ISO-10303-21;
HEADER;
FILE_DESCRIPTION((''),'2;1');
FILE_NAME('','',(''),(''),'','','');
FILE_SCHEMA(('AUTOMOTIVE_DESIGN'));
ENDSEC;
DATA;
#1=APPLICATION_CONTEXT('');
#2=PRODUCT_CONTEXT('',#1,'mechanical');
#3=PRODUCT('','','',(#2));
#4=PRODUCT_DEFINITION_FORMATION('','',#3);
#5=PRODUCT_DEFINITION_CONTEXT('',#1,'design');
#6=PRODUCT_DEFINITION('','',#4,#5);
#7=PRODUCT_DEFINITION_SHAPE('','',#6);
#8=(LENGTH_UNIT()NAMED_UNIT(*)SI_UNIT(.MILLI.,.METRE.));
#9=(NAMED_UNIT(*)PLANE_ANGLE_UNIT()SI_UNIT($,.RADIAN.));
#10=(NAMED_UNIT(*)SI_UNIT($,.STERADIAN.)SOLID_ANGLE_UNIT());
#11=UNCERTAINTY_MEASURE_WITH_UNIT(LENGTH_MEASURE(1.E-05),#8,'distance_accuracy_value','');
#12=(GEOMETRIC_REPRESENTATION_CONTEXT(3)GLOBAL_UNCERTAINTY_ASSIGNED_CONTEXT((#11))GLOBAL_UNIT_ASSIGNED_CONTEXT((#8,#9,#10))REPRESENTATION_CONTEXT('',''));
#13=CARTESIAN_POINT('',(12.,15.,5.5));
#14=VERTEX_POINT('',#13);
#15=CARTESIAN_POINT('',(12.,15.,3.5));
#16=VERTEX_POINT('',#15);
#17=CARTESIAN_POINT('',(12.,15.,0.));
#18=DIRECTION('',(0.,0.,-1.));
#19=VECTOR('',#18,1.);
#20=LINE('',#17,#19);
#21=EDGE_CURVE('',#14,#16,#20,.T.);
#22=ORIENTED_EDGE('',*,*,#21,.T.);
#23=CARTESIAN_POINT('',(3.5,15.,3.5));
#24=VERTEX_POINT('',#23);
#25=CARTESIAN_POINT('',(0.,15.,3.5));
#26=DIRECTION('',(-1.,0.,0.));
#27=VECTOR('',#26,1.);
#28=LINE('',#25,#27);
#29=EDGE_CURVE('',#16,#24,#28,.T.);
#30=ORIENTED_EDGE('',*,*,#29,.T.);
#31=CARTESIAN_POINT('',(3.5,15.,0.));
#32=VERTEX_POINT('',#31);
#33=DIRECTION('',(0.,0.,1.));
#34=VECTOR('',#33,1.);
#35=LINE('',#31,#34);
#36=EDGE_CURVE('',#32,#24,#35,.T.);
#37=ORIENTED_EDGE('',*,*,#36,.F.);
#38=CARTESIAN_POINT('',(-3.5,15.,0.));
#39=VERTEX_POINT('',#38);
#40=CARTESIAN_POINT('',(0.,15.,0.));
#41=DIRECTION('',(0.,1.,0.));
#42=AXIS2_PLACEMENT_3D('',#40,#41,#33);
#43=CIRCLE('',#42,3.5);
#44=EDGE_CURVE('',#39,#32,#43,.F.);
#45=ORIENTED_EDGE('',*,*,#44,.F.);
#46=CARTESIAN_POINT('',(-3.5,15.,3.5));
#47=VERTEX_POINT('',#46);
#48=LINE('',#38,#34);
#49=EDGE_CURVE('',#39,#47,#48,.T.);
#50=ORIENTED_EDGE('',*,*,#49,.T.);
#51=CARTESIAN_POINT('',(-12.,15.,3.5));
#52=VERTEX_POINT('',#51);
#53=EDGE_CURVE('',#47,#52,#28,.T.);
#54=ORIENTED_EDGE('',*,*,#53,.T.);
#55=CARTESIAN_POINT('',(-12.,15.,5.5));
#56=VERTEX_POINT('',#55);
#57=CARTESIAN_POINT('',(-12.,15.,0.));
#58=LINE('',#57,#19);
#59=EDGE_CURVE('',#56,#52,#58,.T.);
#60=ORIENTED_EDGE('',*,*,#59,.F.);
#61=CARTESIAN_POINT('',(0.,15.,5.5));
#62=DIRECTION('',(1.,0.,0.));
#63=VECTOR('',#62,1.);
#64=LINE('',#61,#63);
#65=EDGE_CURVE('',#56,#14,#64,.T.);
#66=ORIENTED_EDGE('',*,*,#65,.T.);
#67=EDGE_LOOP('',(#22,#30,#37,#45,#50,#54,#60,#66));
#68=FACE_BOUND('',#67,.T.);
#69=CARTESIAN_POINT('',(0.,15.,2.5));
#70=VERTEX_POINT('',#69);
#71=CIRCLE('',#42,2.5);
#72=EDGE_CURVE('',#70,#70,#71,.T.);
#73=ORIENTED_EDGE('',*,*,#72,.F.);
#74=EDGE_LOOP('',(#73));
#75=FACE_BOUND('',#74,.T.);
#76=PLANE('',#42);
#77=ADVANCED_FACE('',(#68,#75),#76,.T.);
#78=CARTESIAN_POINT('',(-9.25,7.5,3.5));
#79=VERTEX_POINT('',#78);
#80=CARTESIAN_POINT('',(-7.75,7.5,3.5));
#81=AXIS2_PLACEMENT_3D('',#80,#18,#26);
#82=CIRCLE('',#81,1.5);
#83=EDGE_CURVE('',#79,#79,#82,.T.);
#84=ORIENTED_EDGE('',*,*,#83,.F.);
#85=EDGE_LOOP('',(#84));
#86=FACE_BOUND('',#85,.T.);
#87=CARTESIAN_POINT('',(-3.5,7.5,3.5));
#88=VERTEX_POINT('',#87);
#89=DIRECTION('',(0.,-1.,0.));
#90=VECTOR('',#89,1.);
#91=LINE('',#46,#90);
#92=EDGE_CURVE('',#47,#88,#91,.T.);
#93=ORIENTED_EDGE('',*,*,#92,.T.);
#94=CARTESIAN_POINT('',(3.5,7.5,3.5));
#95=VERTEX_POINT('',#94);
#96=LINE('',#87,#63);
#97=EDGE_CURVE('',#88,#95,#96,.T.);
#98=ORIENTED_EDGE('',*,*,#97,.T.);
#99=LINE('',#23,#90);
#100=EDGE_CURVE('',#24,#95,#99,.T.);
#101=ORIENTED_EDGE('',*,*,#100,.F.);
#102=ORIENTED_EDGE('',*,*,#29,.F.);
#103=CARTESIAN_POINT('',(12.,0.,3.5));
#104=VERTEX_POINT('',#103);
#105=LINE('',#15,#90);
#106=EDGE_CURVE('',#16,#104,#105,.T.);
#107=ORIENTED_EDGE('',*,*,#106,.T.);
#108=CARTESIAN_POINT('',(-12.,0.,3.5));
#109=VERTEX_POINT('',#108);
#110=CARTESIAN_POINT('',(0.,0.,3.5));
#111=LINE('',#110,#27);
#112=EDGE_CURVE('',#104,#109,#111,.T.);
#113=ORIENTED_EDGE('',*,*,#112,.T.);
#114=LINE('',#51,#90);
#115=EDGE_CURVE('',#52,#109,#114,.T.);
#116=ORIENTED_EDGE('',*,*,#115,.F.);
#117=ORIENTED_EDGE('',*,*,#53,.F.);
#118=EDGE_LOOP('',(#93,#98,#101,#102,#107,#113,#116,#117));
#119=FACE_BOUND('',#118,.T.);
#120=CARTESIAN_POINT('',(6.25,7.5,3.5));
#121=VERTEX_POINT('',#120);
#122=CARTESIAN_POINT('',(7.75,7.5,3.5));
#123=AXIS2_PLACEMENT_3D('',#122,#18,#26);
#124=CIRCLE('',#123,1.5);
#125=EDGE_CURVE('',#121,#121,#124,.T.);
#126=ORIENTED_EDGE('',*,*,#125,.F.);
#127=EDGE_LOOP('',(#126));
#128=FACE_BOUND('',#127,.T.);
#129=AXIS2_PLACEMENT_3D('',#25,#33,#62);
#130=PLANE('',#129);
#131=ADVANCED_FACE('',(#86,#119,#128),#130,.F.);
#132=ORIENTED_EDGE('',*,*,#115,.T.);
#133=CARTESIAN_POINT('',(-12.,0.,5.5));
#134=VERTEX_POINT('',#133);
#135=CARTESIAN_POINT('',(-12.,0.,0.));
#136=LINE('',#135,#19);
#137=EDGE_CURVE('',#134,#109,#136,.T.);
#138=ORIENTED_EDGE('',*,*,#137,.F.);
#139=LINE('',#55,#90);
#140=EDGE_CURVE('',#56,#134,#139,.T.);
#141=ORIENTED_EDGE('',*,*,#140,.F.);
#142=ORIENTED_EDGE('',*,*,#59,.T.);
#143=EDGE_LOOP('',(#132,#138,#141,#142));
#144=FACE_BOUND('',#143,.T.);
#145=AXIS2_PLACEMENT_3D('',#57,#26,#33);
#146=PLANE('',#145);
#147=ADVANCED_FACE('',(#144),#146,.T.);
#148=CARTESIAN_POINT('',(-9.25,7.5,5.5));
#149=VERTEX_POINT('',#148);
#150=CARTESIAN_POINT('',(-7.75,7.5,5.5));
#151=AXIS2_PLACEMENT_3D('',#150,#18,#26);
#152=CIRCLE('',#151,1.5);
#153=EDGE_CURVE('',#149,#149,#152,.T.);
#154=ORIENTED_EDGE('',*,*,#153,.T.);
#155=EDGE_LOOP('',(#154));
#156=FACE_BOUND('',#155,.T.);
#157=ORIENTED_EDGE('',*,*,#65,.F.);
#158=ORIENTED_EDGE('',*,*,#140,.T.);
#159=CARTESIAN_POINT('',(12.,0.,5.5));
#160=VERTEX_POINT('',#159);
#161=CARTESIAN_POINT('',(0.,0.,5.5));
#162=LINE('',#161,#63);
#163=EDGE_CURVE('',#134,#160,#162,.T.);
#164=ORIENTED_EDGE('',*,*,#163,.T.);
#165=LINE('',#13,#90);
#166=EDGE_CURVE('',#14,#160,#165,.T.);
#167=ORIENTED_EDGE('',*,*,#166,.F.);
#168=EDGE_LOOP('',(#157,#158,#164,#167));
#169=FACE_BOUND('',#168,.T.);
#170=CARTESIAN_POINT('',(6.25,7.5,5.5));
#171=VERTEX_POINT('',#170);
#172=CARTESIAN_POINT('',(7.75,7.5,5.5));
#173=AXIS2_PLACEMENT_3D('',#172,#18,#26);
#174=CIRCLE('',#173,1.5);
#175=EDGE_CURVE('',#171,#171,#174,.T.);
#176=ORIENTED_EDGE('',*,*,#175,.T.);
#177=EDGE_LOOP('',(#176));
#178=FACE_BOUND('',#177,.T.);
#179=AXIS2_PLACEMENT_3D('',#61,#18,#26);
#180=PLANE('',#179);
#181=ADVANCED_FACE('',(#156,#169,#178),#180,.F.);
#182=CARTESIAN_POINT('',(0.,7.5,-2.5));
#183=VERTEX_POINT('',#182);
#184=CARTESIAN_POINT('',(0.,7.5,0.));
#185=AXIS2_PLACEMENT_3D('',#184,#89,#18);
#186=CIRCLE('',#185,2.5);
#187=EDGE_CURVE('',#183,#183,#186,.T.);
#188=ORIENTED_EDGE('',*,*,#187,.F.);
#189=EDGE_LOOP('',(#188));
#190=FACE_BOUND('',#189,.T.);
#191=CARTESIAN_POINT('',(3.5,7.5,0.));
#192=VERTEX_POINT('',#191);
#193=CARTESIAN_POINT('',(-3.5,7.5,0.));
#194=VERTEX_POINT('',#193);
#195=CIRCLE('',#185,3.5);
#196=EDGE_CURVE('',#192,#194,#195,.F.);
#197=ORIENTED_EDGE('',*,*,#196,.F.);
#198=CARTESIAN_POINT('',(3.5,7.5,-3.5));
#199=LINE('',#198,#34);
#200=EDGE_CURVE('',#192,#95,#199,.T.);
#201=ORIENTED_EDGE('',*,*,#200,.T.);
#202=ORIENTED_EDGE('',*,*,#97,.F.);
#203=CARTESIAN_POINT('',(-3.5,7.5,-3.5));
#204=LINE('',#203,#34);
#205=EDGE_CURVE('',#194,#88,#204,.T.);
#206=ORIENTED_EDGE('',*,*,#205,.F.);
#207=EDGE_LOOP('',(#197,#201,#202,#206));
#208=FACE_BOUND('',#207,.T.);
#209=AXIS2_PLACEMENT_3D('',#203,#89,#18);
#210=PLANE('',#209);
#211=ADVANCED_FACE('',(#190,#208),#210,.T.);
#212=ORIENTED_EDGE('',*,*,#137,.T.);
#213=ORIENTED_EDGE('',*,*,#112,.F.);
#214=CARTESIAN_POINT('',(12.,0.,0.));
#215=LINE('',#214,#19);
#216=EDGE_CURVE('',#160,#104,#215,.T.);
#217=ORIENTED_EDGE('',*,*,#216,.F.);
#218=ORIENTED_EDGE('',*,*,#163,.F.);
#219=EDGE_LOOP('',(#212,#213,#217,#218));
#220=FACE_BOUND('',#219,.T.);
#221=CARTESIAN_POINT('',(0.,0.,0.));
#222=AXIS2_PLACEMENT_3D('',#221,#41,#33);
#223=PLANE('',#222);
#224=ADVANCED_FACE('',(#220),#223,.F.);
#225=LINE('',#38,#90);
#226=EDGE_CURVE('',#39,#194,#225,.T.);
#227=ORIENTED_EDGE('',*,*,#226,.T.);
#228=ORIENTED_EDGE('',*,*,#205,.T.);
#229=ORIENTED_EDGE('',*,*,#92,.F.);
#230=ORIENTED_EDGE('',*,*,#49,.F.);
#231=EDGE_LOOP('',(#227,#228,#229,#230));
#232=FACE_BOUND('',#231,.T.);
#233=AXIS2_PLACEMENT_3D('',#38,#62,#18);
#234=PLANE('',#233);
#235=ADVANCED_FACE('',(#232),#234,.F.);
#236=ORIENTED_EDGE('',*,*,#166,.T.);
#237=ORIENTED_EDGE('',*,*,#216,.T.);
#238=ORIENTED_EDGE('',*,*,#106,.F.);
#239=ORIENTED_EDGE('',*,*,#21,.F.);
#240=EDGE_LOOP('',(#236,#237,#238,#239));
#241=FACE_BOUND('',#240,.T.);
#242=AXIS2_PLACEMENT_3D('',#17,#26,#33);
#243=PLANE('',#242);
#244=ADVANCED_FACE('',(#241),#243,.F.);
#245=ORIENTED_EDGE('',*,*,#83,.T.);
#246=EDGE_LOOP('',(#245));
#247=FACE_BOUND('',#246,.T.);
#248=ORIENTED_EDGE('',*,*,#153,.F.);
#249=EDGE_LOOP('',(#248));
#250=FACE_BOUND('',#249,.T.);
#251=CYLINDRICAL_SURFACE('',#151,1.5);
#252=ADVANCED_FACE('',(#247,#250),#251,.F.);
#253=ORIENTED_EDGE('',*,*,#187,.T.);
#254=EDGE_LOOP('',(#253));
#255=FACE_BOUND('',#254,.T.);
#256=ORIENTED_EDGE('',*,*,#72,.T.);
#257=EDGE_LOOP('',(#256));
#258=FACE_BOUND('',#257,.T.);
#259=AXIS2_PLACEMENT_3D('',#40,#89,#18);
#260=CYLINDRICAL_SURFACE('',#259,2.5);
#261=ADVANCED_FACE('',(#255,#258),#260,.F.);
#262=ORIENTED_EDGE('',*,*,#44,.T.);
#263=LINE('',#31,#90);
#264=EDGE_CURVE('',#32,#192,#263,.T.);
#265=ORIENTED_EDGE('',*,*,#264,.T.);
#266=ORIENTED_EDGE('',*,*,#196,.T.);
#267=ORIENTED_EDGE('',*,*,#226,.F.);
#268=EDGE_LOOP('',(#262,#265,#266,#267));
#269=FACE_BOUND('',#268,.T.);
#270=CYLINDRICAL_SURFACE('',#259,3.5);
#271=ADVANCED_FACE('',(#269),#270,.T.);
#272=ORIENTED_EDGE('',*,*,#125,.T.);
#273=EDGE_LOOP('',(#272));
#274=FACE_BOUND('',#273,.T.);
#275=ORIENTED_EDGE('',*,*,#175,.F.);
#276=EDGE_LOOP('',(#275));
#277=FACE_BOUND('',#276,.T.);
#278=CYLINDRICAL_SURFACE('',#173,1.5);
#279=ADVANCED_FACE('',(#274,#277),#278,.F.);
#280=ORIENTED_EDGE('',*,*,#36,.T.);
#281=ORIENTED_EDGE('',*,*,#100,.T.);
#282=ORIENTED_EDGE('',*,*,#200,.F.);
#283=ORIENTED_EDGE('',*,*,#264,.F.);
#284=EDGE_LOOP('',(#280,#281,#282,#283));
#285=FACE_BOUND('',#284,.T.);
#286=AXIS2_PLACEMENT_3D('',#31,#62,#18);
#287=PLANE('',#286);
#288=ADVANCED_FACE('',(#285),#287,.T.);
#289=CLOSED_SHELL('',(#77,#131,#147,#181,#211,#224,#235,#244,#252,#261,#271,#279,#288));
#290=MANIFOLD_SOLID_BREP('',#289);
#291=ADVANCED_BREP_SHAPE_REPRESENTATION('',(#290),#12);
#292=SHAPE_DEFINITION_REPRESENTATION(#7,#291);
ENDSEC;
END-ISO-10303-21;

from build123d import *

# Parameters (mm, degrees)
BOSS_EXTRUDE1_DEPTH = 15
CUT_EXTRUDE1_DEPTH  = 21.4450483
SKETCH3_W           = 7
SKETCH3_H           = 7.5
CUT_EXTRUDE2_DEPTH  = 21.4450483


with BuildPart() as part:
    # Sketch1 → Boss-Extrude1 (new body)
    with BuildSketch(Plane(origin=(0, 0, 0), x_dir=(1, 0, 0), z_dir=(0, 1, 0))):
        with BuildLine():
            ThreePointArc((0, 2.5), (1.767766953, 1.767766953), (2.5, 0))
            Line((2.5, 0), (3.5, 0))
            ThreePointArc((3.5, 0), (2.474873734, 2.474873734), (0, 3.5))
            Line((0, 3.5), (0, 2.5))
        make_face()
        with BuildLine():
            Line((-3.5, 0), (-2.5, 0))
            ThreePointArc((-2.5, 0), (-1.767766953, 1.767766953), (0, 2.5))
            Line((0, 2.5), (0, 3.5))
            ThreePointArc((0, 3.5), (-2.474873734, 2.474873734), (-3.5, 0))
        make_face()
        with BuildLine():
            Line((0, -5.5), (0, -2.5))
            ThreePointArc((0, -2.5), (-1.767766953, -1.767766953), (-2.5, 0))
            Line((-2.5, 0), (-3.5, 0))
            Line((-3.5, 0), (-3.5, -3.5))
            Line((-3.5, -3.5), (-12, -3.5))
            Line((-12, -3.5), (-12, -5.5))
            Line((-12, -5.5), (0, -5.5))
        make_face()
        with BuildLine():
            ThreePointArc((2.5, 0), (1.767766953, -1.767766953), (0, -2.5))
            Line((0, -2.5), (0, -5.5))
            Line((0, -5.5), (12, -5.5))
            Line((12, -5.5), (12, -3.5))
            Line((12, -3.5), (3.5, -3.5))
            Line((3.5, -3.5), (3.5, 0))
            Line((3.5, 0), (2.5, 0))
        make_face()
    extrude(amount=BOSS_EXTRUDE1_DEPTH)

    # Sketch2 → Cut-Extrude1 (cut, through all)
    with BuildSketch(Plane(origin=(0, 0, 3.5), x_dir=(-1, 0, 0), z_dir=(0, 0, -1))):
        with BuildLine():
            ThreePointArc((-6.25, 7.5), (-6.689339828, 8.560660172), (-7.75, 9))
            Line((-7.75, 9), (-7.75, 6))
            ThreePointArc((-7.75, 6), (-6.689339828, 6.439339828), (-6.25, 7.5))
        make_face()
        with BuildLine():
            Line((-7.75, 6), (-7.75, 9))
            ThreePointArc((-7.75, 9), (-9.25, 7.5), (-7.75, 6))
        make_face()
        with BuildLine():
            ThreePointArc((9.25, 7.5), (8.810660172, 8.560660172), (7.75, 9))
            Line((7.75, 9), (7.75, 6))
            ThreePointArc((7.75, 6), (8.810660172, 6.439339828), (9.25, 7.5))
        make_face()
        with BuildLine():
            Line((7.75, 6), (7.75, 9))
            ThreePointArc((7.75, 9), (6.25, 7.5), (7.75, 6))
        make_face()
    extrude(amount=-CUT_EXTRUDE1_DEPTH, mode=Mode.SUBTRACT)

    # Sketch3 → Cut-Extrude2 (cut, through all)
    with BuildSketch(Plane(origin=(0, 0, 3.5), x_dir=(-1, 0, 0), z_dir=(0, 0, -1))):
        with Locations((0, 3.75)):
            Rectangle(SKETCH3_W, SKETCH3_H)
    extrude(amount=CUT_EXTRUDE2_DEPTH, mode=Mode.SUBTRACT)


solid = part.part
